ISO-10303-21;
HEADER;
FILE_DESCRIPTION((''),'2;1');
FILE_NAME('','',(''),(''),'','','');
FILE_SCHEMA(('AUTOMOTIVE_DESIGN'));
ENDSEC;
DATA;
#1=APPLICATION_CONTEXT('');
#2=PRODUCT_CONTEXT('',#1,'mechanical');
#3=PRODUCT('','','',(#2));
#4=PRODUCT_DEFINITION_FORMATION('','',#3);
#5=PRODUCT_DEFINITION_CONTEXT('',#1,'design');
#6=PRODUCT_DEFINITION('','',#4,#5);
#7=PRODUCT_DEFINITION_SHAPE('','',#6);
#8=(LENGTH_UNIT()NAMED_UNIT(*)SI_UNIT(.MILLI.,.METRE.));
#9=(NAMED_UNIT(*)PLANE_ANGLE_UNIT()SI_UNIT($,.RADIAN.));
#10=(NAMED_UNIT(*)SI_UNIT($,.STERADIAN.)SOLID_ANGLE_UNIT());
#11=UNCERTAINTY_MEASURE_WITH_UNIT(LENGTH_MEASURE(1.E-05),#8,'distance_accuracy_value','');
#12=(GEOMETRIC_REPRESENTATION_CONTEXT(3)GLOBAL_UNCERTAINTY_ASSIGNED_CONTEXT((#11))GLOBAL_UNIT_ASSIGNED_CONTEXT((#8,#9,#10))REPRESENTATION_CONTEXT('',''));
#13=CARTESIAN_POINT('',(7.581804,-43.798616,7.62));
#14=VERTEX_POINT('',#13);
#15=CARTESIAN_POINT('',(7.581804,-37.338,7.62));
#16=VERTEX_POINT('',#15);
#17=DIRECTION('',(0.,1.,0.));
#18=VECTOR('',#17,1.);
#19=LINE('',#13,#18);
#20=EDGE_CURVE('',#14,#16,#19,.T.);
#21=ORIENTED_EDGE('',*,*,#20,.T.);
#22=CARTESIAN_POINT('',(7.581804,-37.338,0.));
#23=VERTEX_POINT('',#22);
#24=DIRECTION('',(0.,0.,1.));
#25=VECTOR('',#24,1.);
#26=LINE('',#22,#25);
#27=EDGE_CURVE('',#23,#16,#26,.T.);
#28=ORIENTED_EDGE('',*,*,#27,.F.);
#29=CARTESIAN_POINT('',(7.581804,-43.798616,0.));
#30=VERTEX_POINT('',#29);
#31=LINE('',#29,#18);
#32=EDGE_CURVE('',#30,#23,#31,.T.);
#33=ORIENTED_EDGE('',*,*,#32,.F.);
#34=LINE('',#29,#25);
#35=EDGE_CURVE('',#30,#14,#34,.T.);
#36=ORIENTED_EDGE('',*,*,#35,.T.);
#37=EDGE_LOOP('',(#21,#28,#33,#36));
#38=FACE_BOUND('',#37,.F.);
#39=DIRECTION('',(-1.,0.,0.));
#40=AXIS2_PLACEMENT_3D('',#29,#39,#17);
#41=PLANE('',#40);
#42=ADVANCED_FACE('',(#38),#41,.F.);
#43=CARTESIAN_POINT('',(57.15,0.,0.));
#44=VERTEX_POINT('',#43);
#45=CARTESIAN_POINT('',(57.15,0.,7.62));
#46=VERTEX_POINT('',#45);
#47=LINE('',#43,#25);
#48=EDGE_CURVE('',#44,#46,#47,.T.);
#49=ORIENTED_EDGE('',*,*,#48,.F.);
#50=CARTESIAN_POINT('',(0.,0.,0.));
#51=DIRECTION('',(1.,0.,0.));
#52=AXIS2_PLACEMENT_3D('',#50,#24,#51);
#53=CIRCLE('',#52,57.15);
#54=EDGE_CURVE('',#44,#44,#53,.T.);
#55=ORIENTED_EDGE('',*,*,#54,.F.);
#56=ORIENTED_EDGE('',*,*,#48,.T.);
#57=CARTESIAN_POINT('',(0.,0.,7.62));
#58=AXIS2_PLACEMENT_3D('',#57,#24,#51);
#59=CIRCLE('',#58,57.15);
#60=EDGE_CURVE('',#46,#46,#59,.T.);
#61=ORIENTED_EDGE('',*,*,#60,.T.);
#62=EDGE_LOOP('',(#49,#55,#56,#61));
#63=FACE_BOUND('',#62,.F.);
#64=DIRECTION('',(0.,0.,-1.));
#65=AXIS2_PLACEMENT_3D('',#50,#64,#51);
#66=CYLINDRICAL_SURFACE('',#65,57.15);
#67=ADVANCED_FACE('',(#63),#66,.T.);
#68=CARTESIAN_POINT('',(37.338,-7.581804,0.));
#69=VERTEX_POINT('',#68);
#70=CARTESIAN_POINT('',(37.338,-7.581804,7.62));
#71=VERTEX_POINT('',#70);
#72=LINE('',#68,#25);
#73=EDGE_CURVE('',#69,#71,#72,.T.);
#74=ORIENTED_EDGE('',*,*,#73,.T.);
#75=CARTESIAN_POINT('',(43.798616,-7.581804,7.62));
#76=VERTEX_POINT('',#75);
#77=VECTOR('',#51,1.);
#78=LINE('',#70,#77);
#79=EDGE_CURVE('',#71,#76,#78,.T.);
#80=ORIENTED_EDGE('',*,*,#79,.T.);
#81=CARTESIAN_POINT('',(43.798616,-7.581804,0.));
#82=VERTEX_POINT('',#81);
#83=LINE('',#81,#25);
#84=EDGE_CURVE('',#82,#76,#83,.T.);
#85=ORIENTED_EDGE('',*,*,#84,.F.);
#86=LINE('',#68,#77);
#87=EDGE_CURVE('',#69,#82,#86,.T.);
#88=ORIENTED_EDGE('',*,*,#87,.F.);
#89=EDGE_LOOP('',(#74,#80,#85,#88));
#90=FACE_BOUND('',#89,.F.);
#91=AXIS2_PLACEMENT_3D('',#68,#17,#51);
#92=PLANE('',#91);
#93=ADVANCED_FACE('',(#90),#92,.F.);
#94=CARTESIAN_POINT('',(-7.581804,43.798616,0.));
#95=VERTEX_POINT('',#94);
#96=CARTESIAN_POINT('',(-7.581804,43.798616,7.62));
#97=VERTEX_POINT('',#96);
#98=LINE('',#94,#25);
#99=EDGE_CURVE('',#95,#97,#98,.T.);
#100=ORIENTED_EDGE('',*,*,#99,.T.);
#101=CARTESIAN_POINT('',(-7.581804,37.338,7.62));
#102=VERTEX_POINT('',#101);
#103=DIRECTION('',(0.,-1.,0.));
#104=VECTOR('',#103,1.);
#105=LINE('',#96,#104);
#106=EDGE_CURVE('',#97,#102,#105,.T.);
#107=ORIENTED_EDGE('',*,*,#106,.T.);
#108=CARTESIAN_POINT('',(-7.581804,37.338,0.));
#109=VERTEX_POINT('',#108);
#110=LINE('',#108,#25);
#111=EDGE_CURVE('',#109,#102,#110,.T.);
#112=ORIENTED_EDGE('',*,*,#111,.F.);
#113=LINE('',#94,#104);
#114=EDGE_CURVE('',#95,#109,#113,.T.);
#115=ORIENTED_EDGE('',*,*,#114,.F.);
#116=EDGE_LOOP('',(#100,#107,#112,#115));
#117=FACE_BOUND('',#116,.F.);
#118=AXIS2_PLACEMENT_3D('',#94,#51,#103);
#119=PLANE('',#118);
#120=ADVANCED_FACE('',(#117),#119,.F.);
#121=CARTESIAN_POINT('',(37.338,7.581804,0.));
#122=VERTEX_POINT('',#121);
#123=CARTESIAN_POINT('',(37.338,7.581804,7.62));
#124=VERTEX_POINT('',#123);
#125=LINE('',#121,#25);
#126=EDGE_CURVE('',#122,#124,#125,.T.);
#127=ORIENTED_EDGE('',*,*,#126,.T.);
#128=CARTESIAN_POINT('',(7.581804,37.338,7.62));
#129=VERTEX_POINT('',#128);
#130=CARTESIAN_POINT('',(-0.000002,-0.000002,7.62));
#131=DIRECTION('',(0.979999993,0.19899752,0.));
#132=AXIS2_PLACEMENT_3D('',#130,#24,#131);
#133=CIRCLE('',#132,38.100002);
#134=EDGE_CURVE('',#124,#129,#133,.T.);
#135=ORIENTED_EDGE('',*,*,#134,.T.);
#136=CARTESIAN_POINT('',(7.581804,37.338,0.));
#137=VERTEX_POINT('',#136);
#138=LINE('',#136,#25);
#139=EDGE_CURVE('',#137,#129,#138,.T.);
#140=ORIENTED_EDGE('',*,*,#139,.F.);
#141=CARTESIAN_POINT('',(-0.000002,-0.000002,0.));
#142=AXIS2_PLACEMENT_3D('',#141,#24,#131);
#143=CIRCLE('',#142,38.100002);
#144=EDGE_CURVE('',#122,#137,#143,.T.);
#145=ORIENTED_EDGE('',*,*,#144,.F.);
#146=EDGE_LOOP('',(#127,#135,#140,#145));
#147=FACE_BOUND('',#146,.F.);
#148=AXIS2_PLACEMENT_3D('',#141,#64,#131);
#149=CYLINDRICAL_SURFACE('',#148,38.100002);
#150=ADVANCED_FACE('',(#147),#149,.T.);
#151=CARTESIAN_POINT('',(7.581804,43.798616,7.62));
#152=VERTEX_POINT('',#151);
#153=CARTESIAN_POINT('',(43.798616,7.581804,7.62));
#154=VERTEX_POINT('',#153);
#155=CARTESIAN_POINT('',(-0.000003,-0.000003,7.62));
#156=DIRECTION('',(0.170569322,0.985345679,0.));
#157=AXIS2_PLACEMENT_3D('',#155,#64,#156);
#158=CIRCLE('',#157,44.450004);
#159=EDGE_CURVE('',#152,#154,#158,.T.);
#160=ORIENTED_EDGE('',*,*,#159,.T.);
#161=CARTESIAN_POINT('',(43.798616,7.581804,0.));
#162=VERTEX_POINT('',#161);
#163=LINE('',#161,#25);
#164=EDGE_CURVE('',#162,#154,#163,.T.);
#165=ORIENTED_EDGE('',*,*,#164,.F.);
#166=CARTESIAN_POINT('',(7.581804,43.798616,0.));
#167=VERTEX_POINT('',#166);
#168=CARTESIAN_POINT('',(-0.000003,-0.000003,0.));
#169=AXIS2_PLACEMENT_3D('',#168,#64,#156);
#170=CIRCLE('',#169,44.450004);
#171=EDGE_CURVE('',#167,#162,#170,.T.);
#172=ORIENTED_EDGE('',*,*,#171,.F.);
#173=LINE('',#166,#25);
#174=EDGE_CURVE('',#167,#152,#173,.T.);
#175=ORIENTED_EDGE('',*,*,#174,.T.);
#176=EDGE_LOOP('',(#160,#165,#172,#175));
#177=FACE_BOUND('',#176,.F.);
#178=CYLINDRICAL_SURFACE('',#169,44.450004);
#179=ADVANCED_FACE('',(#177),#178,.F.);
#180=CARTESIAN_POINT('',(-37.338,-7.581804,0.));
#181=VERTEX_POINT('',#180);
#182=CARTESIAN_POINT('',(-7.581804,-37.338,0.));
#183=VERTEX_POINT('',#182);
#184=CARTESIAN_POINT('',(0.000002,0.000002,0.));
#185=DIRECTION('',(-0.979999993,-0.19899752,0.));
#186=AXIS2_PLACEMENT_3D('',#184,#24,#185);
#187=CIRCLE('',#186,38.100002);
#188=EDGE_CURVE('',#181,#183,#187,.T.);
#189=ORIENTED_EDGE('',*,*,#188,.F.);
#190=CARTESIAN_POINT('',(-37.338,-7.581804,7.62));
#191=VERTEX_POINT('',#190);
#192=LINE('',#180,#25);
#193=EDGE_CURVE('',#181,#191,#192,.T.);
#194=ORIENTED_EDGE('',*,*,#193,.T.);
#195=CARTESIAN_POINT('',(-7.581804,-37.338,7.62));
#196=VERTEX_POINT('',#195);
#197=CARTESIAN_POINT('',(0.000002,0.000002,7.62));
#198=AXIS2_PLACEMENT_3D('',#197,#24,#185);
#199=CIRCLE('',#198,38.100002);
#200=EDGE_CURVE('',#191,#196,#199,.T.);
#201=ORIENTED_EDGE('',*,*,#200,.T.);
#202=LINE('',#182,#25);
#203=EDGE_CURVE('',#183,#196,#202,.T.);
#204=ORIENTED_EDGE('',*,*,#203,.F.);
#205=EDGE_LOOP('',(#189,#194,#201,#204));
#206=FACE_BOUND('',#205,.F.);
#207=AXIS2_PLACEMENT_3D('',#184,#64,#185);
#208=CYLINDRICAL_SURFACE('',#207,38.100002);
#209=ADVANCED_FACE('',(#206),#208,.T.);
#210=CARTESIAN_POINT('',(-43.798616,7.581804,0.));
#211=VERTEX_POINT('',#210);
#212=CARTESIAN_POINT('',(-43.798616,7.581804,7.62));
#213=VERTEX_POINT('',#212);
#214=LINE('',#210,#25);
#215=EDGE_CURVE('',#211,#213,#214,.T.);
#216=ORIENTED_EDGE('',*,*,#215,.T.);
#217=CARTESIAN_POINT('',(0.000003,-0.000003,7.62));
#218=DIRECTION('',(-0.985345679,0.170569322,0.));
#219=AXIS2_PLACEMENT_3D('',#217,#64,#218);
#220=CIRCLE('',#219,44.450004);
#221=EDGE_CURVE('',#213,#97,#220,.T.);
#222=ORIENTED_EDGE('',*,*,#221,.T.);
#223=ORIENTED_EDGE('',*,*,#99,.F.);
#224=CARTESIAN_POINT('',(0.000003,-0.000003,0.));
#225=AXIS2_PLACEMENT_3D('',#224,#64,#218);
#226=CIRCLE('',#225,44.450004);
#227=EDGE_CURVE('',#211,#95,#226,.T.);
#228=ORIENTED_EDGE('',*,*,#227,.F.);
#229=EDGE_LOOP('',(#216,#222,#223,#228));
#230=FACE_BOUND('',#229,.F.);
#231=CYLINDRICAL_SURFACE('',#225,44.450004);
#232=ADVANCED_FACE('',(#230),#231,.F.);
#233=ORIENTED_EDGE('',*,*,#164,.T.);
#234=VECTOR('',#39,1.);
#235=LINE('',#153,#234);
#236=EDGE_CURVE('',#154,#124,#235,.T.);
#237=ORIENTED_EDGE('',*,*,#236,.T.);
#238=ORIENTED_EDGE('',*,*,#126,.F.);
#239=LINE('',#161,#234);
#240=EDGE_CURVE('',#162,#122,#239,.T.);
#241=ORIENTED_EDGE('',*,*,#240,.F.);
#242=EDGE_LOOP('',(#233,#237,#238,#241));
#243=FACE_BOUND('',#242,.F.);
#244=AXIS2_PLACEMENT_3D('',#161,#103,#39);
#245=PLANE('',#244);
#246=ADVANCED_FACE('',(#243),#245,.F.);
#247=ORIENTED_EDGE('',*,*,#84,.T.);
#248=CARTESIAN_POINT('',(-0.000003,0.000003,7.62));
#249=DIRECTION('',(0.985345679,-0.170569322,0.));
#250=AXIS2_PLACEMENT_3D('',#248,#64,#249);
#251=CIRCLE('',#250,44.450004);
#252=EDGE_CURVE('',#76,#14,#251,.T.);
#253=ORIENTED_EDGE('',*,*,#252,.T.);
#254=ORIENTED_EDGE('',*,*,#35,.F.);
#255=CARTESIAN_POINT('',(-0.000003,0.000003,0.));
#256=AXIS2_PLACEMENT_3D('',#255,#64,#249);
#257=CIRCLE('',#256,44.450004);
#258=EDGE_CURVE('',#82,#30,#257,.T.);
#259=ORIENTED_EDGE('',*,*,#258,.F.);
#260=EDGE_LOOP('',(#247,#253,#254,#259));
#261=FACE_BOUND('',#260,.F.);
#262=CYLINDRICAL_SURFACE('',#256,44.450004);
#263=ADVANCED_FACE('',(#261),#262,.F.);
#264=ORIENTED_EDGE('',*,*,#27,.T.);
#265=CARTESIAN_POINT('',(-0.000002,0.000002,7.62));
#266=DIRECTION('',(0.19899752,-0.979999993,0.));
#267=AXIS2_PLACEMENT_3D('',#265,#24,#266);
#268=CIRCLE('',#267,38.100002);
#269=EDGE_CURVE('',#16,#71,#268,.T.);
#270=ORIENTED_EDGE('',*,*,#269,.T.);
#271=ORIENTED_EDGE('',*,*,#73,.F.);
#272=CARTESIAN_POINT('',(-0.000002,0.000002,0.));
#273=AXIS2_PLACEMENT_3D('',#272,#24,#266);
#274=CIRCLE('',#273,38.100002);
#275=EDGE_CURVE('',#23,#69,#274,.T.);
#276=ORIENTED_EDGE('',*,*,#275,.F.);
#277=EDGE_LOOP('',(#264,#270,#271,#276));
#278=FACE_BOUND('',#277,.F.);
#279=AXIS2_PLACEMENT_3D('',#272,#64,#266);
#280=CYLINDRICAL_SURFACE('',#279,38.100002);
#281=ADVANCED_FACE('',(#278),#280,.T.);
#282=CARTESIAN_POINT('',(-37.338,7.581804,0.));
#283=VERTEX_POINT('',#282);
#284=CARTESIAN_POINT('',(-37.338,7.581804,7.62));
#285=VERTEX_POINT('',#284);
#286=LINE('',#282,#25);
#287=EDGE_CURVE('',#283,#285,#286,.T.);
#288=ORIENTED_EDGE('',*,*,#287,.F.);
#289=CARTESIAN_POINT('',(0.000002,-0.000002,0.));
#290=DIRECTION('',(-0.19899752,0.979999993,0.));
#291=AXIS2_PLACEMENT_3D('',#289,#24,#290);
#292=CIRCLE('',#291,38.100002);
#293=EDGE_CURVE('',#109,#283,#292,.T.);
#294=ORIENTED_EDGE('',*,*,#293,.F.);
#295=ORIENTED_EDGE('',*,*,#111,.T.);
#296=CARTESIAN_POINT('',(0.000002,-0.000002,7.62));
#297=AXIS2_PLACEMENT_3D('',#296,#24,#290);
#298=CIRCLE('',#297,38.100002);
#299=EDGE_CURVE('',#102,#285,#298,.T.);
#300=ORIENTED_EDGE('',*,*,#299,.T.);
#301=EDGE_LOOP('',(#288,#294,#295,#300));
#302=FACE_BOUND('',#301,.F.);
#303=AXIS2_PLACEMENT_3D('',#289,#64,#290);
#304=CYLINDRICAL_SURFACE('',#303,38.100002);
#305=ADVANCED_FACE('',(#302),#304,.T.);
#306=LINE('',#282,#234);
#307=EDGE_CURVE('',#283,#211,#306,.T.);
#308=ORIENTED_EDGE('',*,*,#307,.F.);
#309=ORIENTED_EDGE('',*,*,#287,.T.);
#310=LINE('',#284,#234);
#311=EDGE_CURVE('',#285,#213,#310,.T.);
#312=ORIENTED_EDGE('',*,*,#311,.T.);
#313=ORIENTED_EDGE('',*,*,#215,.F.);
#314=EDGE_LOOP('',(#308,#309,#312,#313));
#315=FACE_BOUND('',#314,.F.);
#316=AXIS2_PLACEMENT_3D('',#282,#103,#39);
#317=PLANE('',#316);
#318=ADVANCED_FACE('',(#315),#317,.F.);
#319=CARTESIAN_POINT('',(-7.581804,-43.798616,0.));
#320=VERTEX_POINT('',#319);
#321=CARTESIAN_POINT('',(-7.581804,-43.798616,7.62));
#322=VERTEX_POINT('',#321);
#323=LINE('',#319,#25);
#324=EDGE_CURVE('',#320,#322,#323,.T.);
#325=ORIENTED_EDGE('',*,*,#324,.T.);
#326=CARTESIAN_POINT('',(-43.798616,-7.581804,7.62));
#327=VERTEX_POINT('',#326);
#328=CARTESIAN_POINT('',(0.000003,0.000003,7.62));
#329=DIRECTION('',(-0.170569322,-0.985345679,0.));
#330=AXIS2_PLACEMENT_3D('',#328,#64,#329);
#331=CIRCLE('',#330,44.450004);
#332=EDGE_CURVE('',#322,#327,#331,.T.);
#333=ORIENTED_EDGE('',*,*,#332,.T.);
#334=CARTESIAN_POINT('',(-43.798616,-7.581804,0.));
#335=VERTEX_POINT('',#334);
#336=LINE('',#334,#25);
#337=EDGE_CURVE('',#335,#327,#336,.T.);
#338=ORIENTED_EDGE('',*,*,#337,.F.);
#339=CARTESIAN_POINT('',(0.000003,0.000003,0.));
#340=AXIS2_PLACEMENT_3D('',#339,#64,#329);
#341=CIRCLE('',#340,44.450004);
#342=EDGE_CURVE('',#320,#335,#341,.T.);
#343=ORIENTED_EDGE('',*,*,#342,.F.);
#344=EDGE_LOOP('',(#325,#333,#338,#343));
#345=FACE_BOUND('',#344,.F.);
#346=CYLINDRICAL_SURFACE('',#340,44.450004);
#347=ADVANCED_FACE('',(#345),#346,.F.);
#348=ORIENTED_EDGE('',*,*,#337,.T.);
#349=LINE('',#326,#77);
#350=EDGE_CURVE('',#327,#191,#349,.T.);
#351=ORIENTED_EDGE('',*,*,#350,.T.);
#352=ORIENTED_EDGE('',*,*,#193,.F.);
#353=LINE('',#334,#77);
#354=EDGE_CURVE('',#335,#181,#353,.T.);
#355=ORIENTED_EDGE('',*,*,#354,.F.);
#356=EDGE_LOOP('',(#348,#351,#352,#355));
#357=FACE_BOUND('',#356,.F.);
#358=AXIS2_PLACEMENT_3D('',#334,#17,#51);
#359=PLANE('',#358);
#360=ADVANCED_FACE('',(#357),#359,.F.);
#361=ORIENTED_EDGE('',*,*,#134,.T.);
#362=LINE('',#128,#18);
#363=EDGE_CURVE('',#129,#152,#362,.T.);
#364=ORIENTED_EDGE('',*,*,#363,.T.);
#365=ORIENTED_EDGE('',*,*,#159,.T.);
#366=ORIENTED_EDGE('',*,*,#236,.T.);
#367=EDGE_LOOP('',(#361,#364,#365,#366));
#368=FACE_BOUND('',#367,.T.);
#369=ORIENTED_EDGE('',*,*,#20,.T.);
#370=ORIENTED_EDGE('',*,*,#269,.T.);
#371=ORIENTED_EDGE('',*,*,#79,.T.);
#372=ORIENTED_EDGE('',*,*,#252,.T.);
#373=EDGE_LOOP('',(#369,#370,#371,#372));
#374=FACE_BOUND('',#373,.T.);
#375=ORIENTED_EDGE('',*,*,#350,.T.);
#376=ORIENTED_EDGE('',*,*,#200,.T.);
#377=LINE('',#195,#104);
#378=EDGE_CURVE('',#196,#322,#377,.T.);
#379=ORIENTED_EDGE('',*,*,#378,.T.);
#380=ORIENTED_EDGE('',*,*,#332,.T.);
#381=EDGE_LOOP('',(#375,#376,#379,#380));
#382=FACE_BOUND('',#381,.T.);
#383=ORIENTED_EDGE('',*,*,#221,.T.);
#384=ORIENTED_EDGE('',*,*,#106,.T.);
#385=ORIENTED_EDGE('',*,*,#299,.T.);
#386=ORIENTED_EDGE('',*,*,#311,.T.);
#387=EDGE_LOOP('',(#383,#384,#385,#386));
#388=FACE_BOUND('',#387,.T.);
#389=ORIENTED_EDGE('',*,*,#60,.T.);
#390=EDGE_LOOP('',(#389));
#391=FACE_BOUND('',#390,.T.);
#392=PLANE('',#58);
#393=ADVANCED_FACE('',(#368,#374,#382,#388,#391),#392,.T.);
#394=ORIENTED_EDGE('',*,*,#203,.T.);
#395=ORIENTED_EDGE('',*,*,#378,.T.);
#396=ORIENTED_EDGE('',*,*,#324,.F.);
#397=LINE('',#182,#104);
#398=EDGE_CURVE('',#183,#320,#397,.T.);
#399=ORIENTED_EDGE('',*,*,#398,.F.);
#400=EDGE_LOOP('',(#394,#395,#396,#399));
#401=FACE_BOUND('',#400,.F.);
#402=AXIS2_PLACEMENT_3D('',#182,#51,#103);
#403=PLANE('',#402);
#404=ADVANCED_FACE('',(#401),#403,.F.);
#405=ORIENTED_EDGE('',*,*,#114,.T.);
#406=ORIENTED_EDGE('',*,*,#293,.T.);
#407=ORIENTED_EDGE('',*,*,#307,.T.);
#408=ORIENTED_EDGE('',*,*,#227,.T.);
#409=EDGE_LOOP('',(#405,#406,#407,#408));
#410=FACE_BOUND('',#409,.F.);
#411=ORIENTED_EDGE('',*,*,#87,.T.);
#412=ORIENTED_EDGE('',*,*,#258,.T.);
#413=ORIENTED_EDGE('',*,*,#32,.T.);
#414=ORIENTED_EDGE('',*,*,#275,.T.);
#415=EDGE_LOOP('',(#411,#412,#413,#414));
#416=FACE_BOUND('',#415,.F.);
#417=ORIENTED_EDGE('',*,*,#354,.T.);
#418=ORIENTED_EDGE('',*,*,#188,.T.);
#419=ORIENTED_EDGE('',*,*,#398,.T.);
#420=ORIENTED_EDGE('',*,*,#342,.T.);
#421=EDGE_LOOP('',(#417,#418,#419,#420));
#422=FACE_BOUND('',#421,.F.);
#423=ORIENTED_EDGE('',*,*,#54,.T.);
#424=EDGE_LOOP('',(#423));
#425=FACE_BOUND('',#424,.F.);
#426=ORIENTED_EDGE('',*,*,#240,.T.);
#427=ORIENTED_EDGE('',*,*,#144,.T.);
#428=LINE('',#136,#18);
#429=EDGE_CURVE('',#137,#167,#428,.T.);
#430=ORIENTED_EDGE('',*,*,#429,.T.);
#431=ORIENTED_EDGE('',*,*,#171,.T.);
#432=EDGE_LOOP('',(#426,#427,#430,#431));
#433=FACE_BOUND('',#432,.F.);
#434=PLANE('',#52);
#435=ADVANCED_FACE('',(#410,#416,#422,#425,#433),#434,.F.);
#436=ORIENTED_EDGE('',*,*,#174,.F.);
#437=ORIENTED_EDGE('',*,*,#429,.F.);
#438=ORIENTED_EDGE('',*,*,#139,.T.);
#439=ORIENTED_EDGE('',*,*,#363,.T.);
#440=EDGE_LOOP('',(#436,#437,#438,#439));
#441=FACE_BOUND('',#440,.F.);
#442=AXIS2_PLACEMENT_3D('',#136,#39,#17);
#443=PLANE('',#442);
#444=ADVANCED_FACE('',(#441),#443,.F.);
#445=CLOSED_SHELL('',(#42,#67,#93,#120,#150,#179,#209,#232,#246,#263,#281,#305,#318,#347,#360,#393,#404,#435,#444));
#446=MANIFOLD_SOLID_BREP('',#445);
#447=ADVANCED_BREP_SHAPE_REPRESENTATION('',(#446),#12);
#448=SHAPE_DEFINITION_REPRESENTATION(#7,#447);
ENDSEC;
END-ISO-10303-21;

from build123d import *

# Parameters (mm, degrees)
F0_R     = 57.15
F1_DEPTH = 7.62


with BuildPart() as f1:
    # F0 (on Top) → F1 (new body)
    with BuildSketch(Plane.XY):
        Circle(F0_R)
        with BuildLine():
            ThreePointArc((7.581804, 43.798616), (31.430896, 31.430896), (43.798616, 7.581804))
            ThreePointArc((43.798616, 7.581804), (44.286855, 3.804867), (44.45, 0))
            ThreePointArc((44.45, 0), (44.286855, -3.804867), (43.798616, -7.581804))
            ThreePointArc((43.798616, -7.581804), (31.430896, -31.430896), (7.581804, -43.798616))
            ThreePointArc((7.581804, -43.798616), (0, -44.45), (-7.581804, -43.798616))
            ThreePointArc((-7.581804, -43.798616), (-31.430896, -31.430896), (-43.798616, -7.581804))
            ThreePointArc((-43.798616, -7.581804), (-44.45, 0), (-43.798616, 7.581804))
            ThreePointArc((-43.798616, 7.581804), (-31.430896, 31.430896), (-7.581804, 43.798616))
            ThreePointArc((-7.581804, 43.798616), (0, 44.45), (7.581804, 43.798616))
        make_face(mode=Mode.SUBTRACT)
        with BuildLine():
            ThreePointArc((37.338, -7.581804), (37.909021, -3.81), (38.1, 0))
            ThreePointArc((38.1, 0), (37.909021, 3.81), (37.338, 7.581804))
            ThreePointArc((37.338, 7.581804), (26.940768, 26.940768), (7.581804, 37.338))
            ThreePointArc((7.581804, 37.338), (0, 38.1), (-7.581804, 37.338))
            ThreePointArc((-7.581804, 37.338), (-26.940768, 26.940768), (-37.338, 7.581804))
            ThreePointArc((-37.338, 7.581804), (-38.1, 0), (-37.338, -7.581804))
            ThreePointArc((-37.338, -7.581804), (-26.940768, -26.940768), (-7.581804, -37.338))
            ThreePointArc((-7.581804, -37.338), (0, -38.1), (7.581804, -37.338))
            ThreePointArc((7.581804, -37.338), (26.940768, -26.940768), (37.338, -7.581804))
        make_face()
        with BuildLine():
            ThreePointArc((-7.581804, 37.338), (0, 38.1), (7.581804, 37.338))
            Line((7.581804, 37.338), (7.581804, 43.798616))
            ThreePointArc((7.581804, 43.798616), (0, 44.45), (-7.581804, 43.798616))
            Line((-7.581804, 43.798616), (-7.581804, 37.338))
        make_face()
        with BuildLine():
            ThreePointArc((37.338, 7.581804), (37.909021, 3.81), (38.1, 0))
            ThreePointArc((38.1, 0), (37.909021, -3.81), (37.338, -7.581804))
            Line((37.338, -7.581804), (43.798616, -7.581804))
            ThreePointArc((43.798616, -7.581804), (44.286855, -3.804867), (44.45, 0))
            ThreePointArc((44.45, 0), (44.286855, 3.804867), (43.798616, 7.581804))
            Line((43.798616, 7.581804), (37.338, 7.581804))
        make_face()
        with BuildLine():
            Line((7.581804, -43.798616), (7.581804, -37.338))
            ThreePointArc((7.581804, -37.338), (0, -38.1), (-7.581804, -37.338))
            Line((-7.581804, -37.338), (-7.581804, -43.798616))
            ThreePointArc((-7.581804, -43.798616), (0, -44.45), (7.581804, -43.798616))
        make_face()
        with BuildLine():
            ThreePointArc((-37.338, -7.581804), (-38.1, 0), (-37.338, 7.581804))
            Line((-37.338, 7.581804), (-43.798616, 7.581804))
            ThreePointArc((-43.798616, 7.581804), (-44.45, 0), (-43.798616, -7.581804))
            Line((-43.798616, -7.581804), (-37.338, -7.581804))
        make_face()
    extrude(amount=F1_DEPTH)


solid = f1.part
